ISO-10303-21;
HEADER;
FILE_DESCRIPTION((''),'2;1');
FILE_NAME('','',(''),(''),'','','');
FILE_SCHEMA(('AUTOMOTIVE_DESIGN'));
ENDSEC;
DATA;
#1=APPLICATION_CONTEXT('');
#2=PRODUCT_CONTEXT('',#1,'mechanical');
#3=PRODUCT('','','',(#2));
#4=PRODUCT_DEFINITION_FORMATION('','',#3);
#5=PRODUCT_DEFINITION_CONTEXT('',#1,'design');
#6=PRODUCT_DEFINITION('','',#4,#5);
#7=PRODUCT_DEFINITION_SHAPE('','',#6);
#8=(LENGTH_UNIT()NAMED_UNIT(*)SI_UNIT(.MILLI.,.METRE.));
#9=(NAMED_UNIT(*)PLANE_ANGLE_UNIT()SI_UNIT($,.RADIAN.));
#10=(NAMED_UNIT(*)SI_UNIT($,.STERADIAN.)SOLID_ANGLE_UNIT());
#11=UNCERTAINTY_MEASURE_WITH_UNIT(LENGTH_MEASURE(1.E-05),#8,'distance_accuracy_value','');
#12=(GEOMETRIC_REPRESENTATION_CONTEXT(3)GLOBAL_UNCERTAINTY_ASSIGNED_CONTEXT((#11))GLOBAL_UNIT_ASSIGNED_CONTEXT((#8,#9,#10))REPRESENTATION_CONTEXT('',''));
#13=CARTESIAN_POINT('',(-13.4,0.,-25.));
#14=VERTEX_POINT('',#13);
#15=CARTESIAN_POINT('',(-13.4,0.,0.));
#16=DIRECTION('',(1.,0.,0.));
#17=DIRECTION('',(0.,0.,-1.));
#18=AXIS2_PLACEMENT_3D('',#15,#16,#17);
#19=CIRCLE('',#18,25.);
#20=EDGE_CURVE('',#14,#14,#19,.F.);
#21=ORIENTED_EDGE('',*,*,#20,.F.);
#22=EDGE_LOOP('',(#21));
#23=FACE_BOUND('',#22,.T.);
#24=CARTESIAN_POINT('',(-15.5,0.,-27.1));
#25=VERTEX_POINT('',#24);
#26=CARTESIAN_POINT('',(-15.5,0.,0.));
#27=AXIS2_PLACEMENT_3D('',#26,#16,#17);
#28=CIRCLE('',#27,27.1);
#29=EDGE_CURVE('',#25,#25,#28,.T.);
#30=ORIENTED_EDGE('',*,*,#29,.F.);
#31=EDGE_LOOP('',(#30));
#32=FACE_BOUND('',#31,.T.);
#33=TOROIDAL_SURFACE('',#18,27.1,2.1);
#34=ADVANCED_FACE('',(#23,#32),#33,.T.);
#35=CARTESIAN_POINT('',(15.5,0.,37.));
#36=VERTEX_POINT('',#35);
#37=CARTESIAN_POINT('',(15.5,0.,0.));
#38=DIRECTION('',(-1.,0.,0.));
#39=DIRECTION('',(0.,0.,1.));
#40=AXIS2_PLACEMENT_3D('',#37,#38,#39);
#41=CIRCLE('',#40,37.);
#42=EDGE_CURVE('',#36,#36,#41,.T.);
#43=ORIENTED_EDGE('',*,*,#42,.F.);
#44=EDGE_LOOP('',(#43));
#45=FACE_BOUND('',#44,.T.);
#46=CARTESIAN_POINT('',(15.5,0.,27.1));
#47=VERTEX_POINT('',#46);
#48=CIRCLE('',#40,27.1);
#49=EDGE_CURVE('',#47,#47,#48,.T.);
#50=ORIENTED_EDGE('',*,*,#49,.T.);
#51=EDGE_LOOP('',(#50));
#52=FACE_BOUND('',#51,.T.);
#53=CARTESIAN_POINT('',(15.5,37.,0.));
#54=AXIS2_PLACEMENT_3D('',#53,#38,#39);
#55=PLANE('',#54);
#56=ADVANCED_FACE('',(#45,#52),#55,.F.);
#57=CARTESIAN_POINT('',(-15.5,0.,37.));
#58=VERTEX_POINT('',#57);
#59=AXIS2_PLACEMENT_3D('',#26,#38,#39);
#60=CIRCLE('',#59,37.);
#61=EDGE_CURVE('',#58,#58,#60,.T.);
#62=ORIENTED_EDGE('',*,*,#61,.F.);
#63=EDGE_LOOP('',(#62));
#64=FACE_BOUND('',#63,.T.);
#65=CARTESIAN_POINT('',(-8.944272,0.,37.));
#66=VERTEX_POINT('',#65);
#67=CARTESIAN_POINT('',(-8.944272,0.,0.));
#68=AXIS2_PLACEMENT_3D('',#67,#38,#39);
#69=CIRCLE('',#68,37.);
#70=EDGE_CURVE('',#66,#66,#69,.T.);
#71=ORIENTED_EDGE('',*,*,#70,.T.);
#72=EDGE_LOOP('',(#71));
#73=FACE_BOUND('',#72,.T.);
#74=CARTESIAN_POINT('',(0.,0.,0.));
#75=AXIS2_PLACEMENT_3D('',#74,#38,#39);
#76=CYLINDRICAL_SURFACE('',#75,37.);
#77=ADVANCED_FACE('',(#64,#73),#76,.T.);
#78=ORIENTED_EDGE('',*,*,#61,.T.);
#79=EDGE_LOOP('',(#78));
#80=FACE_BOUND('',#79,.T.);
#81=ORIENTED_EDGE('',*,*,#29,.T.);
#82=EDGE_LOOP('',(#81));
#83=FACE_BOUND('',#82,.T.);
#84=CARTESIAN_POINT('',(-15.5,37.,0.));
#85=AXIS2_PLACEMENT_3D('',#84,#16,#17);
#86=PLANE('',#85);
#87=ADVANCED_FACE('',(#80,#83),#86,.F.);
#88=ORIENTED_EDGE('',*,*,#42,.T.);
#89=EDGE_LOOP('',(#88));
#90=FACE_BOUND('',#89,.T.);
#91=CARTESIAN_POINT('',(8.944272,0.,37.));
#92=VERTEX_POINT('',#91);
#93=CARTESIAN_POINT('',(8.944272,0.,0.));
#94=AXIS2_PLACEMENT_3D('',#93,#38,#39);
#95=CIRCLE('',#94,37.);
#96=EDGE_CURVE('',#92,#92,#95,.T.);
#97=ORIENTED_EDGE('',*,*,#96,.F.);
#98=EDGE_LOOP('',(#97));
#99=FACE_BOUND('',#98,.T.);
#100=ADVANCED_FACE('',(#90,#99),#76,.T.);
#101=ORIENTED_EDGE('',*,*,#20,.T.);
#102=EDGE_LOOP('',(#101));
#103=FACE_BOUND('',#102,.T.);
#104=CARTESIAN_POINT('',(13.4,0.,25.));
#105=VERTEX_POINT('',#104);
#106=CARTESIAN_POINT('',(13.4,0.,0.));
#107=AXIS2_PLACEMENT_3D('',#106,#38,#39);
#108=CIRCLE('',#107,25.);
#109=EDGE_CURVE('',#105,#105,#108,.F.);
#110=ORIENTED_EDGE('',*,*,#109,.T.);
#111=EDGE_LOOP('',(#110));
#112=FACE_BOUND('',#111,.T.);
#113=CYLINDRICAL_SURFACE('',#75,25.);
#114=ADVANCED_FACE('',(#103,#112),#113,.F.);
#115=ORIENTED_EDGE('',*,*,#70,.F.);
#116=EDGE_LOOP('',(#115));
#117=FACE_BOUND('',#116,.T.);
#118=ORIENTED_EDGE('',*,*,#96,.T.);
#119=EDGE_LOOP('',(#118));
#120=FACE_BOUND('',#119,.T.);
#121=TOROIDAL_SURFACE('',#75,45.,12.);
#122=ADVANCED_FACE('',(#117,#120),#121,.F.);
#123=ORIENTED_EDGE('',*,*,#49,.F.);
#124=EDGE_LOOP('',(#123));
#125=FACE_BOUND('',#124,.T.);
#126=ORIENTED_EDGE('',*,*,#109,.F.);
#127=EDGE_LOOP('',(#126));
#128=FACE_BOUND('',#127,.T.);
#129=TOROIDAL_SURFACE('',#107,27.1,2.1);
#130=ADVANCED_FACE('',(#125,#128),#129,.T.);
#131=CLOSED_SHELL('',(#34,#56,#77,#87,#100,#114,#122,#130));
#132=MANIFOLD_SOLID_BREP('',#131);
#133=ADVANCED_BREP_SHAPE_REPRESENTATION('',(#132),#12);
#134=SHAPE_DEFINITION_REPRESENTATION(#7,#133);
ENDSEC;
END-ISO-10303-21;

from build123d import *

# Parameters (mm, degrees)
FILLET1_R = 2.1


with BuildPart() as part:
    # Sketch1 → Revolve1 (revolve)
    with BuildSketch(Plane.XY):
        with BuildLine():
            Line((-15.5, 37), (-8.94427191, 37))
            ThreePointArc((-8.94427191, 37), (0, 33), (8.94427191, 37))
            Line((8.94427191, 37), (15.5, 37))
            Line((15.5, 37), (15.5, 25))
            Line((15.5, 25), (-15.5, 25))
            Line((-15.5, 25), (-15.5, 37))
        make_face()
    revolve(axis=Axis((0, 0, 0), (1, 0, 0)))

    # Fillet1
    fillet1_edges = [part.edges().sort_by_distance(p)[0] for p in [
        (15.5, -25, 0),
        (-15.5, -25, 0),
    ]]
    fillet(fillet1_edges, radius=FILLET1_R)


solid = part.part
